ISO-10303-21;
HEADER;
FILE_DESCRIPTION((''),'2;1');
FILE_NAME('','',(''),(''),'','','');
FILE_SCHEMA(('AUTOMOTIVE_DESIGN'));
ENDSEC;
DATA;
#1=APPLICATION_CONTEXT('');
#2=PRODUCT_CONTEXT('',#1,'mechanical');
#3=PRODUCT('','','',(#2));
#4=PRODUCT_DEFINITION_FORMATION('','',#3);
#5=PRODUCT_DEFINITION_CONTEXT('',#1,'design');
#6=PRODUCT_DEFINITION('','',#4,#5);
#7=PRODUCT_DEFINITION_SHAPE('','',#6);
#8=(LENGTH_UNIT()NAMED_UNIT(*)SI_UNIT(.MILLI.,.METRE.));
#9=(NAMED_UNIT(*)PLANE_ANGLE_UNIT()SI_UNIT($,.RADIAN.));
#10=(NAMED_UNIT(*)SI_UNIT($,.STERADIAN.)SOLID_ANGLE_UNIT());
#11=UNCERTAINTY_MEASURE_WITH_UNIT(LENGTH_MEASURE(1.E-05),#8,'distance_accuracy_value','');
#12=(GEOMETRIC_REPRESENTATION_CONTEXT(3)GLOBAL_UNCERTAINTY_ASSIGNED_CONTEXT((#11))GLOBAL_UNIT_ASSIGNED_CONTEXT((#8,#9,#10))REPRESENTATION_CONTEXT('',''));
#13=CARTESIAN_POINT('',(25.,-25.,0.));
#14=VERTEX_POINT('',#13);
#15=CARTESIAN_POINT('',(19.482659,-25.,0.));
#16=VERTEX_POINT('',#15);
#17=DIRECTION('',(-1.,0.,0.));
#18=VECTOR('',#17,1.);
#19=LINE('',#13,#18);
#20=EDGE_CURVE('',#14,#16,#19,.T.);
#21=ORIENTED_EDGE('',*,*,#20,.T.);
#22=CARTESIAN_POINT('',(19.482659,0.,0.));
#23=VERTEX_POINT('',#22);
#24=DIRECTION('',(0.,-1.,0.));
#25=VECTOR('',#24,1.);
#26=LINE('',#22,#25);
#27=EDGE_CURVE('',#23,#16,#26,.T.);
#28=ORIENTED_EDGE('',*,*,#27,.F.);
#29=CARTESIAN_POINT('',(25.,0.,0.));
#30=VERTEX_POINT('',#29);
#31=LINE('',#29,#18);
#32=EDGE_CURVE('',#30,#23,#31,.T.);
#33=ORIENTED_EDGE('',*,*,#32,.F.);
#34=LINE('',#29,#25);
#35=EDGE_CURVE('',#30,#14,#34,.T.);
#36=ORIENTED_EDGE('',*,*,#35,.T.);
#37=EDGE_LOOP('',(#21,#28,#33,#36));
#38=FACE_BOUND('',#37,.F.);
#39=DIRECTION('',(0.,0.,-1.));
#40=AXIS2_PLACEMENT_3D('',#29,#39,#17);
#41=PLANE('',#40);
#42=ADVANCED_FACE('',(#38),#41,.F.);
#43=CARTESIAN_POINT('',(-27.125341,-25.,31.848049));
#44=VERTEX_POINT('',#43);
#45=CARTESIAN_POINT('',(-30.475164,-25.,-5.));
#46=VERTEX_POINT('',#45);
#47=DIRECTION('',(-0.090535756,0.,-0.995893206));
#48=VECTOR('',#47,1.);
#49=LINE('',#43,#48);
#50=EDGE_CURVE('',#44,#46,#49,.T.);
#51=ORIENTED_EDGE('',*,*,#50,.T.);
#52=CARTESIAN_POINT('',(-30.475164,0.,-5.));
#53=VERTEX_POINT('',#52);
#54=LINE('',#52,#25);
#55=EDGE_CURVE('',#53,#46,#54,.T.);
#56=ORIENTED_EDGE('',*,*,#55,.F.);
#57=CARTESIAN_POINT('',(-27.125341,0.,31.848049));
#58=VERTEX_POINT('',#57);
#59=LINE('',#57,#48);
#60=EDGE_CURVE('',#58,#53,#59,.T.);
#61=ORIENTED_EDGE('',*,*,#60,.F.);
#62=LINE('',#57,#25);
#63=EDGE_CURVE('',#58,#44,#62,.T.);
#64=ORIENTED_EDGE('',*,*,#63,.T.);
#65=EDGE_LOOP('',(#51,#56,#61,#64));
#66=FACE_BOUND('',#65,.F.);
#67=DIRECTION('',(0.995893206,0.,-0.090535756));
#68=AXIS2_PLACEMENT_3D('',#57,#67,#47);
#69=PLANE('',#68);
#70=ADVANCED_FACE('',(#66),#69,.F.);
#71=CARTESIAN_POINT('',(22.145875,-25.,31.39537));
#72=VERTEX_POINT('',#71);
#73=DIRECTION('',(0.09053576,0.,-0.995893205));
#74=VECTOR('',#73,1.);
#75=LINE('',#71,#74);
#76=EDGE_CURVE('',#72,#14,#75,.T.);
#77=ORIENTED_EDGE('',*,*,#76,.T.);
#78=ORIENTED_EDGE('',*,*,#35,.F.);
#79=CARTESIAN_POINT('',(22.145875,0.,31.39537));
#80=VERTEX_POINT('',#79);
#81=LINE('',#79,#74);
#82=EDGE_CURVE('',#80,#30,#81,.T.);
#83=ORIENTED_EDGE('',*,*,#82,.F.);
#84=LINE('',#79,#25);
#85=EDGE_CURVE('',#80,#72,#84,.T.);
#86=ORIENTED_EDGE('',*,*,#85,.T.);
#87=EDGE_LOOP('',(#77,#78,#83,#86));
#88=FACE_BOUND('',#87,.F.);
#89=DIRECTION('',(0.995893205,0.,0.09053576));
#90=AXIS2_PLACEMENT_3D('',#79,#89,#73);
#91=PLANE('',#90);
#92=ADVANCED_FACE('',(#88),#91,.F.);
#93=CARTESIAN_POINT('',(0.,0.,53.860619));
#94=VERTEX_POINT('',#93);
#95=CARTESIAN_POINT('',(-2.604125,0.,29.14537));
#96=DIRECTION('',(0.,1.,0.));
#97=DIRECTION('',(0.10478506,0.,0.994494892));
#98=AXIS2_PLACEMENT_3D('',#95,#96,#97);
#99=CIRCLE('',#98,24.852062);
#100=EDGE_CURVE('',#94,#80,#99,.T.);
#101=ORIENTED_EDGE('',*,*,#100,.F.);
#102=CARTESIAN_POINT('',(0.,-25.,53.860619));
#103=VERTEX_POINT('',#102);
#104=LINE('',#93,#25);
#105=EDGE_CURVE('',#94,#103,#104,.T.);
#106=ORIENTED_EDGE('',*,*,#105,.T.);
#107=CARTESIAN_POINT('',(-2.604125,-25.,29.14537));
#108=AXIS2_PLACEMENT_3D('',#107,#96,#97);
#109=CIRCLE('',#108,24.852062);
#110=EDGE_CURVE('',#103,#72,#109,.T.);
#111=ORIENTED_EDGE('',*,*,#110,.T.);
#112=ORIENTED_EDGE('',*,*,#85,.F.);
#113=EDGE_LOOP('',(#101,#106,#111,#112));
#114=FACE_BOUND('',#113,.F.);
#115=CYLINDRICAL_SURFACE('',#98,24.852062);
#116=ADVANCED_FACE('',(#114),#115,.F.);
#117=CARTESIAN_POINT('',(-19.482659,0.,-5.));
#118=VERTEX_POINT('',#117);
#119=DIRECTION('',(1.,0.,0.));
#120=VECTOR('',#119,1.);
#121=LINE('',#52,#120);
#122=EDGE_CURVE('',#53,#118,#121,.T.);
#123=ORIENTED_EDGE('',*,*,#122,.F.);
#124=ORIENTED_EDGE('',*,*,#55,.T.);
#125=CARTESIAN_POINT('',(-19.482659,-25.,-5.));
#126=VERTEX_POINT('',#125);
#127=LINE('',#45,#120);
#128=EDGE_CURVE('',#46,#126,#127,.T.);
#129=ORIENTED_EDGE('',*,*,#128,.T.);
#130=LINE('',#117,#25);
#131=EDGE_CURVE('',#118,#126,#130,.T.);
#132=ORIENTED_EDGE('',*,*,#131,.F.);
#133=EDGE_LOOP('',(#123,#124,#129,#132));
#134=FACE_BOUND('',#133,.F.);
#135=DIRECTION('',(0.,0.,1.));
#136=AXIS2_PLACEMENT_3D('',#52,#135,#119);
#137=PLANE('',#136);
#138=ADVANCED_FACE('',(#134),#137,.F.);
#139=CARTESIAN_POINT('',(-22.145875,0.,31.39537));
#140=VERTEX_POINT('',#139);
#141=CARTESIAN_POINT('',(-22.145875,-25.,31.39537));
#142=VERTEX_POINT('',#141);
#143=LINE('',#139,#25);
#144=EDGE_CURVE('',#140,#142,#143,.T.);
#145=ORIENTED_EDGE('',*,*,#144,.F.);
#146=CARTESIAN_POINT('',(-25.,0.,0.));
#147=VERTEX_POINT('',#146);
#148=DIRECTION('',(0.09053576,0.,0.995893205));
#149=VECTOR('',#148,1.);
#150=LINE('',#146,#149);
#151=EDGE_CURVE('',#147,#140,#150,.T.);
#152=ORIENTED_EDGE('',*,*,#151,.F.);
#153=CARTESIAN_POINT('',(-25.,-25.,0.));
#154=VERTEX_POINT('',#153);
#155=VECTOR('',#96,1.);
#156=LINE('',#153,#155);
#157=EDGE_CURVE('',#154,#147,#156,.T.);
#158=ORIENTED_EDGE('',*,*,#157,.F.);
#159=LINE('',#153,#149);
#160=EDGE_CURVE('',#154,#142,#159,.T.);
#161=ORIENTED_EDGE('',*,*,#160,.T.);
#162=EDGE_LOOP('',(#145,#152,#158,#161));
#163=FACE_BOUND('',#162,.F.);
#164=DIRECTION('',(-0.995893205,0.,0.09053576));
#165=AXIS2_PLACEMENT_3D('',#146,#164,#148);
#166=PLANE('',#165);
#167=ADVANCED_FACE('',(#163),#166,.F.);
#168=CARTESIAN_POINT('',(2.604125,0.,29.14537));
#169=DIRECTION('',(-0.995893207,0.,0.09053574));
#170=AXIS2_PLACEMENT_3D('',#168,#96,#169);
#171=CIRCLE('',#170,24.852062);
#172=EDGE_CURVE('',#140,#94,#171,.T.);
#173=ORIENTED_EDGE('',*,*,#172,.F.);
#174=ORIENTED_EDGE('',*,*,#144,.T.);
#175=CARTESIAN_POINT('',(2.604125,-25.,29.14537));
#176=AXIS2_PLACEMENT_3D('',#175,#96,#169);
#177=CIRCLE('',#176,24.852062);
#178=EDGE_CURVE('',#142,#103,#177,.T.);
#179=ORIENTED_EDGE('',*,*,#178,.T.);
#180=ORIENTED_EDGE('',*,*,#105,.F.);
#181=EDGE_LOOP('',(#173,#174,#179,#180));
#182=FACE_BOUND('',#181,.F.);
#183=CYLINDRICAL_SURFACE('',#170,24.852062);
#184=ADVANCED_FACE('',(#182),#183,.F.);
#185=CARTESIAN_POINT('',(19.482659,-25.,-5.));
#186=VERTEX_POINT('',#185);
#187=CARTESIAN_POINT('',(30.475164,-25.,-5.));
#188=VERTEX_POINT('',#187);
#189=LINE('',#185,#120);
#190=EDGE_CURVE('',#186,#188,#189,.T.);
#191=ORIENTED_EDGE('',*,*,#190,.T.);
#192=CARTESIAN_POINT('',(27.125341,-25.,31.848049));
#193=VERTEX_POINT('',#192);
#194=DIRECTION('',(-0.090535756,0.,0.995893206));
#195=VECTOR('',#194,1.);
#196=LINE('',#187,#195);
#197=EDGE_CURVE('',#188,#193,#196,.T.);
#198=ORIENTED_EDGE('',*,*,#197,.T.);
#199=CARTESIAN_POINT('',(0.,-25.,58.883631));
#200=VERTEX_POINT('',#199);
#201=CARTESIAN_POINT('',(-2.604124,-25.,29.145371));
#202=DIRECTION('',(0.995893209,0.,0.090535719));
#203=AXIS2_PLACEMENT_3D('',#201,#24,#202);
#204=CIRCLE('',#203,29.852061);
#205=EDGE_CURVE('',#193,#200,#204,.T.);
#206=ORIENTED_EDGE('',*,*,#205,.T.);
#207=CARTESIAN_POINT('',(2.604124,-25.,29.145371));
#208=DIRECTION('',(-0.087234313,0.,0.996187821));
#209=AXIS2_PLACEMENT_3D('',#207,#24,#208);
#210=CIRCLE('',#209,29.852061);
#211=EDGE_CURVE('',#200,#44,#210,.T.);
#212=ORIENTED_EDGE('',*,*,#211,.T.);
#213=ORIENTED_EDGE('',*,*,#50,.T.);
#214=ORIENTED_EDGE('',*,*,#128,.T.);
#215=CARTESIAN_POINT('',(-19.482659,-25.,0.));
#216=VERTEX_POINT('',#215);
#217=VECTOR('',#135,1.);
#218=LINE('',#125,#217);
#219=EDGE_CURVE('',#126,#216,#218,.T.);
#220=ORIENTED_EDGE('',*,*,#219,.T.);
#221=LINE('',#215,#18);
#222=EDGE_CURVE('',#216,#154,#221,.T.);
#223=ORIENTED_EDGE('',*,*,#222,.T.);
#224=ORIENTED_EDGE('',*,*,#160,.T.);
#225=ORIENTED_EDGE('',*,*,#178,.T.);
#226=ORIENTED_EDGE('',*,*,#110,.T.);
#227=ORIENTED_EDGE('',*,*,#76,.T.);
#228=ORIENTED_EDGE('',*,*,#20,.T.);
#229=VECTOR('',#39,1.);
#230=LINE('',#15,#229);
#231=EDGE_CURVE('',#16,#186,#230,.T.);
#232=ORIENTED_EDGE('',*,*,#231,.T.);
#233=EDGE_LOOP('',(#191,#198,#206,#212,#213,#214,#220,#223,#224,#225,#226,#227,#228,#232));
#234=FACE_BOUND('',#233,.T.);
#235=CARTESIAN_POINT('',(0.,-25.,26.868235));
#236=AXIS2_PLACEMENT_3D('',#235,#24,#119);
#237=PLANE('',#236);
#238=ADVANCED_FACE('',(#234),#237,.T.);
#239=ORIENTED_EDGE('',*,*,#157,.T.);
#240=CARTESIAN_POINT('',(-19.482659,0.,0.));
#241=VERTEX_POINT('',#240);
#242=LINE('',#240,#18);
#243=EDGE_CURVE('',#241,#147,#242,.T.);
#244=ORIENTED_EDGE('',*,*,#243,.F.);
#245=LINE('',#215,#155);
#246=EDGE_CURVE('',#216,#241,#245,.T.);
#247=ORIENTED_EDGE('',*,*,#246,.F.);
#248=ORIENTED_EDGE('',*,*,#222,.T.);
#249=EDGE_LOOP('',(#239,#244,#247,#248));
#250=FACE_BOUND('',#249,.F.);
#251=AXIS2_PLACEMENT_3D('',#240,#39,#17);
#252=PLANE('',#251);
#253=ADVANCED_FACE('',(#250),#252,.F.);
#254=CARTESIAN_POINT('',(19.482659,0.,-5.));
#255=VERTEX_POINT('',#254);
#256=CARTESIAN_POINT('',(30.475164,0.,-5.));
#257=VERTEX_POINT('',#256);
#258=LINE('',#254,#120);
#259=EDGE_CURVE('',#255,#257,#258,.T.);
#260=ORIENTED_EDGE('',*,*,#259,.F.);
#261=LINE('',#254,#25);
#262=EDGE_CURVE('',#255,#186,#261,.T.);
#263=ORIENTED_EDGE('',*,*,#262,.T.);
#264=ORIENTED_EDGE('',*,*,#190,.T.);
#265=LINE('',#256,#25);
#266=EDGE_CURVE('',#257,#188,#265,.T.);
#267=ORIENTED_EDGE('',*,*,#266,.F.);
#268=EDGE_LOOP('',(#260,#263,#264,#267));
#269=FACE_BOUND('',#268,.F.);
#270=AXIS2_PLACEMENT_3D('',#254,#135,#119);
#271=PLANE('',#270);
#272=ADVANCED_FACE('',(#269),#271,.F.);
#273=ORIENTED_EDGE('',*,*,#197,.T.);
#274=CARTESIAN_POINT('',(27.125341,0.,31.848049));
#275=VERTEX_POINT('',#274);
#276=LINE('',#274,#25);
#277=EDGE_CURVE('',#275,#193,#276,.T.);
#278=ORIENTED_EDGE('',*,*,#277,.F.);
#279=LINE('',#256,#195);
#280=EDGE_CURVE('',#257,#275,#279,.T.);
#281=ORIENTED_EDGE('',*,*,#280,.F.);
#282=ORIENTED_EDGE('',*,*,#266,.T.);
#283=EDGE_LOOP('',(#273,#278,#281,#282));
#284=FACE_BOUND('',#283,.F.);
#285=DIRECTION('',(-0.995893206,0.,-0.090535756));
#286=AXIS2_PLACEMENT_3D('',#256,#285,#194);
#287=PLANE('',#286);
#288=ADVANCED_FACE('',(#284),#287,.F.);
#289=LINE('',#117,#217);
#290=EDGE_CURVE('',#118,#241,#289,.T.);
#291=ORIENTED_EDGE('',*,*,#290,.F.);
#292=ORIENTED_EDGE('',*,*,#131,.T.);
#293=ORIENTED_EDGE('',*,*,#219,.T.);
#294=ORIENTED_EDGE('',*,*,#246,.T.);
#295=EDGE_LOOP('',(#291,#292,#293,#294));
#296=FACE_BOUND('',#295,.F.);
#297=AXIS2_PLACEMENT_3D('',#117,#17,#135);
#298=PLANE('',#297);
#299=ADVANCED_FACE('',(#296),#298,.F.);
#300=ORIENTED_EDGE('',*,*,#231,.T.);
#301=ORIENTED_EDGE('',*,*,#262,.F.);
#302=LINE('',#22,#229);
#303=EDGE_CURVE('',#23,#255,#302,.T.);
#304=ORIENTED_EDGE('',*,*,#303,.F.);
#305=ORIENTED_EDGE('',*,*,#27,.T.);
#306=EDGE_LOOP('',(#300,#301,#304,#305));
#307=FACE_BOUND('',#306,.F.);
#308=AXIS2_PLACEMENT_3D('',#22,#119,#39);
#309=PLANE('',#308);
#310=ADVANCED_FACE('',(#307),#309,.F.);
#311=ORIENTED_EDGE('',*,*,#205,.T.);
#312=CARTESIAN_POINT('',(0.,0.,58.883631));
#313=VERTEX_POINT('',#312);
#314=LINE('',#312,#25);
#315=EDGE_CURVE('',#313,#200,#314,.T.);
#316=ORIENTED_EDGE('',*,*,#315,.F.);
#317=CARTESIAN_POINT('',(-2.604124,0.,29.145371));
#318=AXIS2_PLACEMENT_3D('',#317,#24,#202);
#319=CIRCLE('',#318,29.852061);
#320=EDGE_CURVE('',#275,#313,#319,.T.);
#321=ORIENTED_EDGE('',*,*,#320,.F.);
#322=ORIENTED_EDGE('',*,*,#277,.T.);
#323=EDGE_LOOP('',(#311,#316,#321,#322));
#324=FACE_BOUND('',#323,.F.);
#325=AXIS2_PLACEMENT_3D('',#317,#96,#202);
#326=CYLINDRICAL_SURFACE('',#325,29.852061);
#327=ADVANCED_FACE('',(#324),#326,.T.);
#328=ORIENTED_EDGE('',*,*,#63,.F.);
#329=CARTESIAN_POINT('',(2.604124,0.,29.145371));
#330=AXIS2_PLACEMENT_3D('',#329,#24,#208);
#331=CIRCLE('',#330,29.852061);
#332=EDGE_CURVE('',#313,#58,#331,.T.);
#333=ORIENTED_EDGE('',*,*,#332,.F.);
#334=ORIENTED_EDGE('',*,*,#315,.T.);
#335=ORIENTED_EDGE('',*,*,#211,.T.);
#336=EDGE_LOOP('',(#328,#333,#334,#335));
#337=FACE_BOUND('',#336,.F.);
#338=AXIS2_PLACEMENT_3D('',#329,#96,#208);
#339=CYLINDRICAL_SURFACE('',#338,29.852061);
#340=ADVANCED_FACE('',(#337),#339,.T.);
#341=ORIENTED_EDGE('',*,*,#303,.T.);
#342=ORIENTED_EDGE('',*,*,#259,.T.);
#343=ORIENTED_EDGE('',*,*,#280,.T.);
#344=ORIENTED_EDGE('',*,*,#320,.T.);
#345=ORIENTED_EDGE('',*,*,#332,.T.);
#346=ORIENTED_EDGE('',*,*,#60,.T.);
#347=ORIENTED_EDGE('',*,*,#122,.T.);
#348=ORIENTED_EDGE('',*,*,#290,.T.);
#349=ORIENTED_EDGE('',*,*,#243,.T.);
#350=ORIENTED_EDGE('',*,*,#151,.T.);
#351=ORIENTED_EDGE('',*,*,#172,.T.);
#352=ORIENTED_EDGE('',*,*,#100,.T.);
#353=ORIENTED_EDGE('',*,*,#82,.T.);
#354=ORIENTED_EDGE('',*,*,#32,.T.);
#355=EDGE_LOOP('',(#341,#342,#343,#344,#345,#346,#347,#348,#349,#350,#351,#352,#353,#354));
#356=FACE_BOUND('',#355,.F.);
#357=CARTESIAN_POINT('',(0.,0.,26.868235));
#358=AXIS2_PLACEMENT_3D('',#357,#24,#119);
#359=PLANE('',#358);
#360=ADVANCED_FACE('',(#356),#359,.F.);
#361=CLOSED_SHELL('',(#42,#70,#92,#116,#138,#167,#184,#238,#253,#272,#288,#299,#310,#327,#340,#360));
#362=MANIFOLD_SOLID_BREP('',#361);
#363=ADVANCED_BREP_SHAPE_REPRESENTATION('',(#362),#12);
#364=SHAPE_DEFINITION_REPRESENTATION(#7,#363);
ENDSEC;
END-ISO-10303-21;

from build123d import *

# Parameters (mm, degrees)
F1_DEPTH = 25
F2_DEPTH = 15


with BuildPart() as f1:
    # F0 (on Front) → F1 (new body)
    with BuildSketch(Plane.XZ):
        with BuildLine():
            Line((-25, 0), (-22.145875, 31.39537))
            ThreePointArc((-22.145875, 31.39537), (-15.09429, 46.592178), (0, 53.860619))
            ThreePointArc((0, 53.860619), (15.09429, 46.592178), (22.145875, 31.39537))
            Line((22.145875, 31.39537), (25, 0))
            Line((25, 0), (19.482659, 0))
            Line((19.482659, 0), (19.482659, -5))
            Line((19.482659, -5), (30.475164, -5))
            Line((30.475164, -5), (27.125341, 31.848049))
            ThreePointArc((27.125341, 31.848049), (18.46946, 50.288919), (0, 58.883631))
            ThreePointArc((0, 58.883631), (-18.46946, 50.288919), (-27.125341, 31.848049))
            Line((-27.125341, 31.848049), (-30.475164, -5))
            Line((-30.475164, -5), (-19.482659, -5))
            Line((-19.482659, -5), (-19.482659, 0))
            Line((-19.482659, 0), (-25, 0))
        make_face()
    extrude(amount=F1_DEPTH)

    # F0 (on Front) → F2 (join)
    with BuildSketch(Plane.XZ):
        with BuildLine():
            Line((-25, 0), (-22.145875, 31.39537))
            ThreePointArc((-22.145875, 31.39537), (-15.09429, 46.592178), (0, 53.860619))
            ThreePointArc((0, 53.860619), (15.09429, 46.592178), (22.145875, 31.39537))
            Line((22.145875, 31.39537), (25, 0))
            Line((25, 0), (19.482659, 0))
            Line((19.482659, 0), (19.482659, -5))
            Line((19.482659, -5), (30.475164, -5))
            Line((30.475164, -5), (27.125341, 31.848049))
            ThreePointArc((27.125341, 31.848049), (18.46946, 50.288919), (0, 58.883631))
            ThreePointArc((0, 58.883631), (-18.46946, 50.288919), (-27.125341, 31.848049))
            Line((-27.125341, 31.848049), (-30.475164, -5))
            Line((-30.475164, -5), (-19.482659, -5))
            Line((-19.482659, -5), (-19.482659, 0))
            Line((-19.482659, 0), (-25, 0))
        make_face()
    extrude(amount=F2_DEPTH)


solid = f1.part
